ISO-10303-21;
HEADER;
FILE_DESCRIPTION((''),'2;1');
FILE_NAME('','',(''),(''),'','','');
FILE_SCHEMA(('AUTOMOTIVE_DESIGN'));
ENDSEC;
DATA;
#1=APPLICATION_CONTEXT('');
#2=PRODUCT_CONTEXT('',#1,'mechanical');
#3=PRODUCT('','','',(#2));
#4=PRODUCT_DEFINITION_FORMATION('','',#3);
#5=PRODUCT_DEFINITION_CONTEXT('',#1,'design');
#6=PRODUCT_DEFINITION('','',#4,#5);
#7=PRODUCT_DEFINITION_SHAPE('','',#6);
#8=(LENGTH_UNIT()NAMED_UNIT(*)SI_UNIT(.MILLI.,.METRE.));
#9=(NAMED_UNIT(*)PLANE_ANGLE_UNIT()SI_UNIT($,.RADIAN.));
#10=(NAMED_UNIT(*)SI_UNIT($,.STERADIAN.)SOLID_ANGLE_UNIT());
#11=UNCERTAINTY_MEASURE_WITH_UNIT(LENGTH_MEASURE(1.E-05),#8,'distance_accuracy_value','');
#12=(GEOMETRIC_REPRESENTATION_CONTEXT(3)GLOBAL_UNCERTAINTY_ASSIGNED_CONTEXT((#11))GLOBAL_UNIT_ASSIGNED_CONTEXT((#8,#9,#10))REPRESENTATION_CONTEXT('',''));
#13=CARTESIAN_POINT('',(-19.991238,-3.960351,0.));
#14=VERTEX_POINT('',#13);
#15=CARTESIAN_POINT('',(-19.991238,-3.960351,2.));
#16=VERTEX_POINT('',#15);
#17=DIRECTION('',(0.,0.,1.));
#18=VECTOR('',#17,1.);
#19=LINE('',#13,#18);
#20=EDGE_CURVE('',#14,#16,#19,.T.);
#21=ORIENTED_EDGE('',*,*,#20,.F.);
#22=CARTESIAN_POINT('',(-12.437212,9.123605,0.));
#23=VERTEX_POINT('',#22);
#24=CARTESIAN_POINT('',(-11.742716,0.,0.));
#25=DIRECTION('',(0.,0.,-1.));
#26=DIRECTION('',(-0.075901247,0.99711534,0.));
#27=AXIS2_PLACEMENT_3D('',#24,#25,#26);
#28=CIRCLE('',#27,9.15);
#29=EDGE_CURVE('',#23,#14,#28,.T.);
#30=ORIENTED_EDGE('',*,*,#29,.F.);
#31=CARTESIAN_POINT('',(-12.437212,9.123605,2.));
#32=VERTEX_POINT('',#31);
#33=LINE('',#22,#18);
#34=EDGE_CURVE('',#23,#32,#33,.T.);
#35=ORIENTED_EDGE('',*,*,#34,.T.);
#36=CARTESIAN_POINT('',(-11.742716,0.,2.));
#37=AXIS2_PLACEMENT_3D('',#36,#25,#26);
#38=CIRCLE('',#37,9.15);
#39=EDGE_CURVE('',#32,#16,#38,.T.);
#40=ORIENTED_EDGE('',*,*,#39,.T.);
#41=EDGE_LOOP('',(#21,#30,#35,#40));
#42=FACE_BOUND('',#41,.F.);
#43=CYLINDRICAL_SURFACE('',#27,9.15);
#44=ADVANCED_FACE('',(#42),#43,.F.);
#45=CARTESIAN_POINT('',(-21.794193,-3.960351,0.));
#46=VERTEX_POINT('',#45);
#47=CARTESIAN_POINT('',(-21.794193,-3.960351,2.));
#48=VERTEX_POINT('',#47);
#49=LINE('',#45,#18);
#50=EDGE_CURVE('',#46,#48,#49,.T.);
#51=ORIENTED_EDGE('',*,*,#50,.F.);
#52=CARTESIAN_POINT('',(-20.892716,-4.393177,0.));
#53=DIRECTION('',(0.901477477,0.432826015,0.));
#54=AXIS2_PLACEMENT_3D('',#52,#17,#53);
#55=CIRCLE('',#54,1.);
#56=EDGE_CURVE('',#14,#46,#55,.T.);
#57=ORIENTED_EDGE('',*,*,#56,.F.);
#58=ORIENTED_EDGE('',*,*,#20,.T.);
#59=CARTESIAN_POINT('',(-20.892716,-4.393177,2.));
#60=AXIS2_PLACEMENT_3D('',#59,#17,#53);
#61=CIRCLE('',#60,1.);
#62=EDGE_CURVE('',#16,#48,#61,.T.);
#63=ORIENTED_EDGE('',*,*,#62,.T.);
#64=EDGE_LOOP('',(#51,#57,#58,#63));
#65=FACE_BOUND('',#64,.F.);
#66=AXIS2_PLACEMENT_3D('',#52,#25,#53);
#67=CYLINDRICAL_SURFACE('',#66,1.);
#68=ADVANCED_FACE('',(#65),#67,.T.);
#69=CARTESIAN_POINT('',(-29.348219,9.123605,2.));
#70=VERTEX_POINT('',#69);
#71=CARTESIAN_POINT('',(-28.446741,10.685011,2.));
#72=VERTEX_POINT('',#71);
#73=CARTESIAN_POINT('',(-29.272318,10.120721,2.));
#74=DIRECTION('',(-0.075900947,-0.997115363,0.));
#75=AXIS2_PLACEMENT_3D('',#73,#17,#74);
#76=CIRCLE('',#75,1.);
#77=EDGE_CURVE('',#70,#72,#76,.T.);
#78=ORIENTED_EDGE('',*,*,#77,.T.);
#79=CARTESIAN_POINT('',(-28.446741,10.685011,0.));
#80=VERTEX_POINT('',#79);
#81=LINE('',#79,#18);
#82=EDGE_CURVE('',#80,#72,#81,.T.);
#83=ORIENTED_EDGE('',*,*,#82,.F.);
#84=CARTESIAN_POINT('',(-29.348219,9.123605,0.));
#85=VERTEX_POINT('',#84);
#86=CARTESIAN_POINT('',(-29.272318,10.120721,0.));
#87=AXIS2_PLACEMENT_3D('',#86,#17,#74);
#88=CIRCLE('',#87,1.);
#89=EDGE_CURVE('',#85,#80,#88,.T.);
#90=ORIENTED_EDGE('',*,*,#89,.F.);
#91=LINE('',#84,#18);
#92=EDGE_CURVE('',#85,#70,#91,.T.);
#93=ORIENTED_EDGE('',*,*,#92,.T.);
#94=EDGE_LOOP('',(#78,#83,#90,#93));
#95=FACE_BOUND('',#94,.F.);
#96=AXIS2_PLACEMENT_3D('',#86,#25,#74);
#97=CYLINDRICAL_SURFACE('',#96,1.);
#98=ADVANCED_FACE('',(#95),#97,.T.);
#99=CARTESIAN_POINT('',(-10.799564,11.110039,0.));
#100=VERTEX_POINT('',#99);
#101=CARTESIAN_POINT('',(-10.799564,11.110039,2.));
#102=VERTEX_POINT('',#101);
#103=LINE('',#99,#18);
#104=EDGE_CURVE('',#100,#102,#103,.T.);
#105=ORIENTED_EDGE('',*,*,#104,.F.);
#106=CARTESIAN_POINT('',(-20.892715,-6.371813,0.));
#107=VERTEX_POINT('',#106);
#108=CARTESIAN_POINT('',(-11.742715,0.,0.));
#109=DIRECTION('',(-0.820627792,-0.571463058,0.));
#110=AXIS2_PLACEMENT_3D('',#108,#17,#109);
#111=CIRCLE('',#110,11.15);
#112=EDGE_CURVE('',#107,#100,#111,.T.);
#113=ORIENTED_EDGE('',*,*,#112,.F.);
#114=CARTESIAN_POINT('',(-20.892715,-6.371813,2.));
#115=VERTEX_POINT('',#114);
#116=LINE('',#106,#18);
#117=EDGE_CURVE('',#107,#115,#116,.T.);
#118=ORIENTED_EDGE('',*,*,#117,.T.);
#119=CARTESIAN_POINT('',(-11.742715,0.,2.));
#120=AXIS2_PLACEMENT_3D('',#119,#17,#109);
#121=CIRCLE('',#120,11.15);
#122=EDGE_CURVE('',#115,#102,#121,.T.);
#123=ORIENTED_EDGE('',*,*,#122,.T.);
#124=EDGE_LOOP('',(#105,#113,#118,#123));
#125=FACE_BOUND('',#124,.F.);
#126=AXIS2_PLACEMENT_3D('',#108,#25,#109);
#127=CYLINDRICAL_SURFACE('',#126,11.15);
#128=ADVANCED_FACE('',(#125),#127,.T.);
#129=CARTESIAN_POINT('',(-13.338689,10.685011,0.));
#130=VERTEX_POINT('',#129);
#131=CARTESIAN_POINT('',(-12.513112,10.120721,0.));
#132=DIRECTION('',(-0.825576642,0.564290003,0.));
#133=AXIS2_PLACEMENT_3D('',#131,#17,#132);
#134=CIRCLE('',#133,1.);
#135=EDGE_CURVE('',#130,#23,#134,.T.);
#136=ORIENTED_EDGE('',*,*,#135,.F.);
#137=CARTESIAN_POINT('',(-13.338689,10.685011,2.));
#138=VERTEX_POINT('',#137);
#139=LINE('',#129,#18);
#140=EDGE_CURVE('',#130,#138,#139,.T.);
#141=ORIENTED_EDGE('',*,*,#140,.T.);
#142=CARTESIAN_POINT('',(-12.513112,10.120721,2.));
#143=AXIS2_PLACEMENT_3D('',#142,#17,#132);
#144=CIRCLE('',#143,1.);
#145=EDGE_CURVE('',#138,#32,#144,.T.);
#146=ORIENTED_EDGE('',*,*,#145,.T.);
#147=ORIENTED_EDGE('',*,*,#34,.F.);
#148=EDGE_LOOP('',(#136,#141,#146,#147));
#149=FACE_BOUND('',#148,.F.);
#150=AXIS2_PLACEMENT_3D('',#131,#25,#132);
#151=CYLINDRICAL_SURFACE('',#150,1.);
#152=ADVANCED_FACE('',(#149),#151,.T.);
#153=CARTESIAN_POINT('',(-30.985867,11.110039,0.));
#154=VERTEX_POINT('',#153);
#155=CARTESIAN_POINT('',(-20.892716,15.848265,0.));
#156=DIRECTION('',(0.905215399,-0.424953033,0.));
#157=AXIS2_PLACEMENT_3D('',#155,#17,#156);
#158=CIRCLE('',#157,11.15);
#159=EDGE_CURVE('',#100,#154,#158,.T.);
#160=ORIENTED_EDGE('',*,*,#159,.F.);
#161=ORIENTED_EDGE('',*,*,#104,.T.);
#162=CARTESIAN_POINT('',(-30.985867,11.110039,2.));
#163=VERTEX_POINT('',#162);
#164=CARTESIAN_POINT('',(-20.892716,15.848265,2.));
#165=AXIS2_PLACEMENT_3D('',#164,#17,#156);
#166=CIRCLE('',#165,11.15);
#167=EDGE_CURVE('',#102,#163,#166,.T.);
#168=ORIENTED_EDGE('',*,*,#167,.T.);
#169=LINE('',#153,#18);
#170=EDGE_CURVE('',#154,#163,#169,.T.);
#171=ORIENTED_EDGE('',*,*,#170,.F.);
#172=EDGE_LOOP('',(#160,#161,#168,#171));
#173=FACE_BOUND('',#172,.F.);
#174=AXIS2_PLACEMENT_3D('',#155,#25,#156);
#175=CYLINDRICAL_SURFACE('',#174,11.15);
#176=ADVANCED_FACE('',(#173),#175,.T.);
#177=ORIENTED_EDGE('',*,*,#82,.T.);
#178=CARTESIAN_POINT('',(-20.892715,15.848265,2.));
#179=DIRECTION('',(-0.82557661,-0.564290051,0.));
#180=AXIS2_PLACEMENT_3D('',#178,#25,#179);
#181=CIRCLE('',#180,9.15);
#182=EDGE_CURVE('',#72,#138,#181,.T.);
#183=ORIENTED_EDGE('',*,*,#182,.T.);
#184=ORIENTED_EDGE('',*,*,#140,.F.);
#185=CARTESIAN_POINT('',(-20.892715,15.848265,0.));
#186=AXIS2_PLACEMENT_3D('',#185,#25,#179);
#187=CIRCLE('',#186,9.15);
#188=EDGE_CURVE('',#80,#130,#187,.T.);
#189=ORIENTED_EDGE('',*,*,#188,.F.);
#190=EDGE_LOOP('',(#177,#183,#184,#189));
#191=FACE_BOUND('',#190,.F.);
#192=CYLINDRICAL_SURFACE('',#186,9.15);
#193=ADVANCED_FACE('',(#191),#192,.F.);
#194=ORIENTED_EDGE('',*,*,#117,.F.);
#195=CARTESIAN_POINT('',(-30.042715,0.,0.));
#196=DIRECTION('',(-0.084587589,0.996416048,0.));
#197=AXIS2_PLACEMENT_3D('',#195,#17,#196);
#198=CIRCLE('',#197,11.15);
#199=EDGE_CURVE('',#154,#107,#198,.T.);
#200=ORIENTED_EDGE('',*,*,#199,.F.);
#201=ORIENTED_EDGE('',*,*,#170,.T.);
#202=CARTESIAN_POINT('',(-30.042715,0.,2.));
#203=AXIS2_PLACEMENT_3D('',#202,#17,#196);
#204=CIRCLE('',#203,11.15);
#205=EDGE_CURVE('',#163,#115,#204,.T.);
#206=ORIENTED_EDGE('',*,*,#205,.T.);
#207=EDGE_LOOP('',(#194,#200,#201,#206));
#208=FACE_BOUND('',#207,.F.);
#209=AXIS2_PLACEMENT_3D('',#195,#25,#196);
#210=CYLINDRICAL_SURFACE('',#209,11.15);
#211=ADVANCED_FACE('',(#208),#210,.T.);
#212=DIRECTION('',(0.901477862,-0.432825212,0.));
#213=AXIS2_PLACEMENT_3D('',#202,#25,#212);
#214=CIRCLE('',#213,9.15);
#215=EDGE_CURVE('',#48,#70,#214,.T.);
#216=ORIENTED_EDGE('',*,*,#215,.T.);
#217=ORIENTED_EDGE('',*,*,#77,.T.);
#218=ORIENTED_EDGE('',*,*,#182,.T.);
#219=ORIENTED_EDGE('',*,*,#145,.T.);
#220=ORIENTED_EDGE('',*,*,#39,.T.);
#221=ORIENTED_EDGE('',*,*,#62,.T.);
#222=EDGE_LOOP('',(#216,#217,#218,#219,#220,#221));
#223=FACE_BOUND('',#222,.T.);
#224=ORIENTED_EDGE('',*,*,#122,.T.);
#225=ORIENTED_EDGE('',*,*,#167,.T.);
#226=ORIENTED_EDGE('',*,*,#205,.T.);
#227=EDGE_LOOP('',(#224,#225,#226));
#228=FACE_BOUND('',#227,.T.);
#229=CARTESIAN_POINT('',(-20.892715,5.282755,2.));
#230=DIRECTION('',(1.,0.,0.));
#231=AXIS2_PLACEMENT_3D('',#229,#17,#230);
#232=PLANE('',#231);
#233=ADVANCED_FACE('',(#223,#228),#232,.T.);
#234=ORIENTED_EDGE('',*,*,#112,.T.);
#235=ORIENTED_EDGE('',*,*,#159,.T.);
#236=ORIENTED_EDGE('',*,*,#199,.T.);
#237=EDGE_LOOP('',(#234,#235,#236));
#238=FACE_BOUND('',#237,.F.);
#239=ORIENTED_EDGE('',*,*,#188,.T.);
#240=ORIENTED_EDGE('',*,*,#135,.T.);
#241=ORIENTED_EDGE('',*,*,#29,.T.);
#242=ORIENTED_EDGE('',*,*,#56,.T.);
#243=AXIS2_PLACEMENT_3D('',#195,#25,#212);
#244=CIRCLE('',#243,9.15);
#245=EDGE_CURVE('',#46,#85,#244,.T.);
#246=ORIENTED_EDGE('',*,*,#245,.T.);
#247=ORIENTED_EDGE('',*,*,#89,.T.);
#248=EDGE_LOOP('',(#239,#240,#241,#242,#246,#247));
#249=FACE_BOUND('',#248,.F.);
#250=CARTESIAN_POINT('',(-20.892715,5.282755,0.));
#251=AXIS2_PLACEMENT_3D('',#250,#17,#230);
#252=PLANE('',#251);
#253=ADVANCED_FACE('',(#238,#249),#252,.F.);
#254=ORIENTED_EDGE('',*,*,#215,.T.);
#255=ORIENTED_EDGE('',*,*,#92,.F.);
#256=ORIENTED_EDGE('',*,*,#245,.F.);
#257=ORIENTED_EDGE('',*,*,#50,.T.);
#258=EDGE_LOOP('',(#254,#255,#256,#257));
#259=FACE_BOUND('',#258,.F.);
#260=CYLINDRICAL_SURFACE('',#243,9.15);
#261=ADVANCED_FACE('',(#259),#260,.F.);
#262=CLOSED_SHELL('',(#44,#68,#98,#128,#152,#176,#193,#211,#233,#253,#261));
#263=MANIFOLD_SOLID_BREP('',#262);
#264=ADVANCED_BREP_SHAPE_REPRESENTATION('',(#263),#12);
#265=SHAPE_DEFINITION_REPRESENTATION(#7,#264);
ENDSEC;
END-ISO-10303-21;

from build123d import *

# Parameters (mm, degrees)
F1_DEPTH = 2


with BuildPart() as f1:
    # F0 (on Top) → F1 (new body)
    with BuildSketch(Plane.XY):
        with BuildLine():
            ThreePointArc((-20.892715, -6.371813), (-2.086532, -5.575), (-10.799564, 11.110039))
            ThreePointArc((-10.799564, 11.110039), (-20.892715, 26.998265), (-30.985867, 11.110039))
            ThreePointArc((-30.985867, 11.110039), (-39.698899, -5.575), (-20.892715, -6.371813))
        make_face()
        with BuildLine():
            ThreePointArc((-21.794193, -3.960351), (-37.966848, -4.575), (-29.348219, 9.123605))
            ThreePointArc((-29.348219, 9.123605), (-28.406292, 9.620721), (-28.446741, 10.685011))
            ThreePointArc((-28.446741, 10.685011), (-20.892715, 24.998265), (-13.338689, 10.685011))
            ThreePointArc((-13.338689, 10.685011), (-13.379138, 9.620721), (-12.437212, 9.123605))
            ThreePointArc((-12.437212, 9.123605), (-3.818583, -4.575), (-19.991238, -3.960351))
            ThreePointArc((-19.991238, -3.960351), (-20.892715, -3.393177), (-21.794193, -3.960351))
        make_face(mode=Mode.SUBTRACT)
    extrude(amount=F1_DEPTH)


solid = f1.part
